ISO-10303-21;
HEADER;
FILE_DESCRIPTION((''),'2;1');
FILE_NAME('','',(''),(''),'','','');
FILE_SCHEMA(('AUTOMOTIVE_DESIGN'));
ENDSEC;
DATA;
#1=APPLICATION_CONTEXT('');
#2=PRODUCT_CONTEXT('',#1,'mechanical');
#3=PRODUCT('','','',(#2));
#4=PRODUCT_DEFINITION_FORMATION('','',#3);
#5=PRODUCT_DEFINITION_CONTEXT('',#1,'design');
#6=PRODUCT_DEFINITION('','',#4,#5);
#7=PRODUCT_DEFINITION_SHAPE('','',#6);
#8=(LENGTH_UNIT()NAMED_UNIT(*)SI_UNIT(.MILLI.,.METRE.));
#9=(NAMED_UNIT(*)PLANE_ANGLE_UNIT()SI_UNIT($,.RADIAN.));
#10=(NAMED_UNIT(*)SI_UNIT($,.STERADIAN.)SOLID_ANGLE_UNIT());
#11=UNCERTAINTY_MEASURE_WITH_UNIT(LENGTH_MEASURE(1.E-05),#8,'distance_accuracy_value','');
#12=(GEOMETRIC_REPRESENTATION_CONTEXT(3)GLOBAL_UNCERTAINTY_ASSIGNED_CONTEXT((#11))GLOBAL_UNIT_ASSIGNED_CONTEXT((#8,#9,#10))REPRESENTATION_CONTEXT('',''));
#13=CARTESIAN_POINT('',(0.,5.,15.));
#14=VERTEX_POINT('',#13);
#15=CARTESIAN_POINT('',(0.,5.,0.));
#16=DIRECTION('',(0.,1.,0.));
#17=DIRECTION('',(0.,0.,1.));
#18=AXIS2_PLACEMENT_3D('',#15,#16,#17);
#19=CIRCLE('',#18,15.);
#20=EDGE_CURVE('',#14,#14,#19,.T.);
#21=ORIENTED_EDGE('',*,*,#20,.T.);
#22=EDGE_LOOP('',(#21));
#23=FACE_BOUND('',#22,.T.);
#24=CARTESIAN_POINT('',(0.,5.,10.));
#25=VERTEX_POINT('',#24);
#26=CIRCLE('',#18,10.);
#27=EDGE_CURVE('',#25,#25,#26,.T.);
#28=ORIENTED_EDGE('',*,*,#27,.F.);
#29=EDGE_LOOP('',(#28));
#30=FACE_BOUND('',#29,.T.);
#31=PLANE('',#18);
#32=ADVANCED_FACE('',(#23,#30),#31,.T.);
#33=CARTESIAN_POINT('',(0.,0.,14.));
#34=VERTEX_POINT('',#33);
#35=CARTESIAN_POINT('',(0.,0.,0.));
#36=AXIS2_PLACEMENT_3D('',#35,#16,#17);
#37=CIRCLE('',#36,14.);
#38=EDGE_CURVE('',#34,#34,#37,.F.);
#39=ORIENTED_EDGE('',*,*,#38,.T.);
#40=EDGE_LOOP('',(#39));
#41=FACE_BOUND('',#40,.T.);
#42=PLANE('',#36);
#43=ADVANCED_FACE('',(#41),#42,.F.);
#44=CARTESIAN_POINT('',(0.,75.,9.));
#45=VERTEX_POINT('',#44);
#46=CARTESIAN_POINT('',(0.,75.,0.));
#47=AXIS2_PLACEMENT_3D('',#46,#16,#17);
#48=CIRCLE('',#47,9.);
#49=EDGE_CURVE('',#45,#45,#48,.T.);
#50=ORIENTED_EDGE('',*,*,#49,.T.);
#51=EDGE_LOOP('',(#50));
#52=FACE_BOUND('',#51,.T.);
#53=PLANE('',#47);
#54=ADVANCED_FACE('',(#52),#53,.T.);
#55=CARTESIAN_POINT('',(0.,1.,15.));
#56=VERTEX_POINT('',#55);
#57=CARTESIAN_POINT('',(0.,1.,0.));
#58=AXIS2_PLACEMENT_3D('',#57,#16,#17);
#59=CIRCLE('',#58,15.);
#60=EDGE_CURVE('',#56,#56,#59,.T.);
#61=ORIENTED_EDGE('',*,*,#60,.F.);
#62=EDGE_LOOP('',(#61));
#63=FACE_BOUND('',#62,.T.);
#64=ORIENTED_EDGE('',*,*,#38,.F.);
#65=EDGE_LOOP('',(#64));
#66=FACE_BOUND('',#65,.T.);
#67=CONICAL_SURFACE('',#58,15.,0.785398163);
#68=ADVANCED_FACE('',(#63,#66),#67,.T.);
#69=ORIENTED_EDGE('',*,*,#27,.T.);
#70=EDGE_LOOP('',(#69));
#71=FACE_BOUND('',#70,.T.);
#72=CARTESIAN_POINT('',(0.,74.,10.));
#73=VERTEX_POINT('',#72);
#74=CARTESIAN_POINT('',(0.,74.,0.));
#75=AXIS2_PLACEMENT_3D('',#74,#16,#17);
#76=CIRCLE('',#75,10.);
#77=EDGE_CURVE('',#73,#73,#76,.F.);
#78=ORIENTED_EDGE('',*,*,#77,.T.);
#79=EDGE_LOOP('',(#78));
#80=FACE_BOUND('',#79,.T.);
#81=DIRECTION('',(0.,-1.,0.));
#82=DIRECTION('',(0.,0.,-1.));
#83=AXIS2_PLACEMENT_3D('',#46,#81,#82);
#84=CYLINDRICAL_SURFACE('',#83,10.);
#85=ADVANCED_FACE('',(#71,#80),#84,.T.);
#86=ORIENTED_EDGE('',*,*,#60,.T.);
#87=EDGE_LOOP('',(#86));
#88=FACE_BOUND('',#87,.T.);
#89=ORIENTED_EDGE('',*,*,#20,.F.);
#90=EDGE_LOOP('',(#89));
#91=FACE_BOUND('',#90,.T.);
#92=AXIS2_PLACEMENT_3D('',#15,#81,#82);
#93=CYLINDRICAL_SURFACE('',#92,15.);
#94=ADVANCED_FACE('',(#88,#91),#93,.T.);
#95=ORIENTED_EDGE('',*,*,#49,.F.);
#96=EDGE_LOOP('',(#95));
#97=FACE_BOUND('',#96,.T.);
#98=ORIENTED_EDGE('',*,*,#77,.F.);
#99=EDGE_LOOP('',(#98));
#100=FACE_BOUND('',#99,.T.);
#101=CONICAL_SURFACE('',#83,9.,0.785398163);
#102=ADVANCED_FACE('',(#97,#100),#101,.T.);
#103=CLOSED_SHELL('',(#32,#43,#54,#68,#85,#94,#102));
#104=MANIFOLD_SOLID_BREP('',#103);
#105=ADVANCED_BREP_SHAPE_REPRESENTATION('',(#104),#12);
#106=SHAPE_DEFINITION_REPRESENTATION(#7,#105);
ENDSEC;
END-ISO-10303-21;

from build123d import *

# Parameters (mm, degrees)
SKETCH_1_R      = 15
EXTRUDE_1_DEPTH = 5
SKETCH_2_R      = 10
EXTRUDE_2_DEPTH = 70
CHAMFER_1_SIZE  = 1


with BuildPart() as part:
    # 草图1 → 凸台-拉伸1 (new body)
    with BuildSketch(Plane(origin=(0, 0, 0), x_dir=(1, 0, 0), z_dir=(0, 1, 0))):
        Circle(SKETCH_1_R)
    extrude(amount=EXTRUDE_1_DEPTH)

    # 草图2 → 凸台-拉伸2 (add)
    with BuildSketch(Plane(origin=(0, 5, 0), x_dir=(1, 0, 0), z_dir=(0, 1, 0))):
        Circle(SKETCH_2_R)
    extrude(amount=EXTRUDE_2_DEPTH)

    # 倒角1
    chamfer_1_edges = [part.edges().sort_by_distance(p)[0] for p in [
        (-15, 0, 0),
        (-10, 75, 0),
    ]]
    chamfer(chamfer_1_edges, length=CHAMFER_1_SIZE)


solid = part.part
